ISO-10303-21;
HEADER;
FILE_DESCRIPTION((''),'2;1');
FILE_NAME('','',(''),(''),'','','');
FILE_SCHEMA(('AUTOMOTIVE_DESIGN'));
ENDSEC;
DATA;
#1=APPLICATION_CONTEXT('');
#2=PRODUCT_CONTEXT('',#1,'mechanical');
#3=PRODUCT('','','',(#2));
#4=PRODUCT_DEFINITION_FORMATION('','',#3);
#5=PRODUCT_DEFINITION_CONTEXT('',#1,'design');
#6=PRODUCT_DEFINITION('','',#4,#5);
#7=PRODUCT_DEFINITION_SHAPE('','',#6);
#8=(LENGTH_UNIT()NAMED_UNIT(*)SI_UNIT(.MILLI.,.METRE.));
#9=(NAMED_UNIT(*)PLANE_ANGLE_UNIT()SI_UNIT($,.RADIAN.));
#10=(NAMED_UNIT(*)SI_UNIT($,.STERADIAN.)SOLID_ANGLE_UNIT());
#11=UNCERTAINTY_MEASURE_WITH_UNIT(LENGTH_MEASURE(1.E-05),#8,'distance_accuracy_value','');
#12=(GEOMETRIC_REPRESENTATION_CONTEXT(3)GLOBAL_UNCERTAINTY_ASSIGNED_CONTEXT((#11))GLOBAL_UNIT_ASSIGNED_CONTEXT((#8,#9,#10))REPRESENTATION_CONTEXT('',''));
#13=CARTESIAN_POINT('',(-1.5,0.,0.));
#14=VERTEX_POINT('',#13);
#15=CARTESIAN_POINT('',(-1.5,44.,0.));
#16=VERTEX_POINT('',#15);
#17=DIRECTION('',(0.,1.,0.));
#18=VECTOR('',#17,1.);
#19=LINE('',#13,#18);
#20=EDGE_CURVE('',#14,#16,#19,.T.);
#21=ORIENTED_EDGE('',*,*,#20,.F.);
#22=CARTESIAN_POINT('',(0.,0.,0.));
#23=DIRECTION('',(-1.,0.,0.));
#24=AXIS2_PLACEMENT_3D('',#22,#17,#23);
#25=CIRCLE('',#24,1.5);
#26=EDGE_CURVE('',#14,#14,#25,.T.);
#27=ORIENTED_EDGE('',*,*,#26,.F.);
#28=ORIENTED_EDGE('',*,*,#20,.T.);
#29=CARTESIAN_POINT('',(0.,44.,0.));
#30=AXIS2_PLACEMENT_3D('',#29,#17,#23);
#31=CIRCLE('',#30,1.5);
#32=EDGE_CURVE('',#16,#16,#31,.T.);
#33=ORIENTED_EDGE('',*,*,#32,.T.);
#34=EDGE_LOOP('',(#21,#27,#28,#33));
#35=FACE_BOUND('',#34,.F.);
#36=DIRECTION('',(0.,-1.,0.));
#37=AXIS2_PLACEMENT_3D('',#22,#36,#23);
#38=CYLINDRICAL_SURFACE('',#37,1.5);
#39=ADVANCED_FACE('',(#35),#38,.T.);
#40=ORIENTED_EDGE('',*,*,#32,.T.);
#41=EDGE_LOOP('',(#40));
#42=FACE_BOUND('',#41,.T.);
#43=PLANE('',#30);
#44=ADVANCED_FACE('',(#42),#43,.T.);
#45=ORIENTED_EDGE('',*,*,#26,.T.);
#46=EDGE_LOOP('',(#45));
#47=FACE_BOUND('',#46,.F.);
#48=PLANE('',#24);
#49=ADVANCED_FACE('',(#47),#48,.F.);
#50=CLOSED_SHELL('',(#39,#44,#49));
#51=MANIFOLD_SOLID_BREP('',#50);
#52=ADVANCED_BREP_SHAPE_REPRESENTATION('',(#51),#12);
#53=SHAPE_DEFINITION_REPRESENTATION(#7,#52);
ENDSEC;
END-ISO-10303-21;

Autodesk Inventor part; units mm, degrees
ref_plane "YZ Plane" through (0, 0, 0) normal (1, 0, 0) x (0, 1, 0)
ref_plane "XZ Plane" through (0, 0, 0) normal (0, 1, 0) x (-1, 0, 0)
ref_plane "XY Plane" through (0, 0, 0) normal (0, 0, 1) x (1, 0, 0)
sketch "Sketch1" plane through (0, 0, 0) normal (0, 1, 0) x (-1, 0, 0)
  circle A0 centre (0, 0) radius 1.5
  dimension "d0" = 3
extrude "Extrusion1" add sketch "Sketch1" along normal blind 44
properties part number "axe_poulie"
